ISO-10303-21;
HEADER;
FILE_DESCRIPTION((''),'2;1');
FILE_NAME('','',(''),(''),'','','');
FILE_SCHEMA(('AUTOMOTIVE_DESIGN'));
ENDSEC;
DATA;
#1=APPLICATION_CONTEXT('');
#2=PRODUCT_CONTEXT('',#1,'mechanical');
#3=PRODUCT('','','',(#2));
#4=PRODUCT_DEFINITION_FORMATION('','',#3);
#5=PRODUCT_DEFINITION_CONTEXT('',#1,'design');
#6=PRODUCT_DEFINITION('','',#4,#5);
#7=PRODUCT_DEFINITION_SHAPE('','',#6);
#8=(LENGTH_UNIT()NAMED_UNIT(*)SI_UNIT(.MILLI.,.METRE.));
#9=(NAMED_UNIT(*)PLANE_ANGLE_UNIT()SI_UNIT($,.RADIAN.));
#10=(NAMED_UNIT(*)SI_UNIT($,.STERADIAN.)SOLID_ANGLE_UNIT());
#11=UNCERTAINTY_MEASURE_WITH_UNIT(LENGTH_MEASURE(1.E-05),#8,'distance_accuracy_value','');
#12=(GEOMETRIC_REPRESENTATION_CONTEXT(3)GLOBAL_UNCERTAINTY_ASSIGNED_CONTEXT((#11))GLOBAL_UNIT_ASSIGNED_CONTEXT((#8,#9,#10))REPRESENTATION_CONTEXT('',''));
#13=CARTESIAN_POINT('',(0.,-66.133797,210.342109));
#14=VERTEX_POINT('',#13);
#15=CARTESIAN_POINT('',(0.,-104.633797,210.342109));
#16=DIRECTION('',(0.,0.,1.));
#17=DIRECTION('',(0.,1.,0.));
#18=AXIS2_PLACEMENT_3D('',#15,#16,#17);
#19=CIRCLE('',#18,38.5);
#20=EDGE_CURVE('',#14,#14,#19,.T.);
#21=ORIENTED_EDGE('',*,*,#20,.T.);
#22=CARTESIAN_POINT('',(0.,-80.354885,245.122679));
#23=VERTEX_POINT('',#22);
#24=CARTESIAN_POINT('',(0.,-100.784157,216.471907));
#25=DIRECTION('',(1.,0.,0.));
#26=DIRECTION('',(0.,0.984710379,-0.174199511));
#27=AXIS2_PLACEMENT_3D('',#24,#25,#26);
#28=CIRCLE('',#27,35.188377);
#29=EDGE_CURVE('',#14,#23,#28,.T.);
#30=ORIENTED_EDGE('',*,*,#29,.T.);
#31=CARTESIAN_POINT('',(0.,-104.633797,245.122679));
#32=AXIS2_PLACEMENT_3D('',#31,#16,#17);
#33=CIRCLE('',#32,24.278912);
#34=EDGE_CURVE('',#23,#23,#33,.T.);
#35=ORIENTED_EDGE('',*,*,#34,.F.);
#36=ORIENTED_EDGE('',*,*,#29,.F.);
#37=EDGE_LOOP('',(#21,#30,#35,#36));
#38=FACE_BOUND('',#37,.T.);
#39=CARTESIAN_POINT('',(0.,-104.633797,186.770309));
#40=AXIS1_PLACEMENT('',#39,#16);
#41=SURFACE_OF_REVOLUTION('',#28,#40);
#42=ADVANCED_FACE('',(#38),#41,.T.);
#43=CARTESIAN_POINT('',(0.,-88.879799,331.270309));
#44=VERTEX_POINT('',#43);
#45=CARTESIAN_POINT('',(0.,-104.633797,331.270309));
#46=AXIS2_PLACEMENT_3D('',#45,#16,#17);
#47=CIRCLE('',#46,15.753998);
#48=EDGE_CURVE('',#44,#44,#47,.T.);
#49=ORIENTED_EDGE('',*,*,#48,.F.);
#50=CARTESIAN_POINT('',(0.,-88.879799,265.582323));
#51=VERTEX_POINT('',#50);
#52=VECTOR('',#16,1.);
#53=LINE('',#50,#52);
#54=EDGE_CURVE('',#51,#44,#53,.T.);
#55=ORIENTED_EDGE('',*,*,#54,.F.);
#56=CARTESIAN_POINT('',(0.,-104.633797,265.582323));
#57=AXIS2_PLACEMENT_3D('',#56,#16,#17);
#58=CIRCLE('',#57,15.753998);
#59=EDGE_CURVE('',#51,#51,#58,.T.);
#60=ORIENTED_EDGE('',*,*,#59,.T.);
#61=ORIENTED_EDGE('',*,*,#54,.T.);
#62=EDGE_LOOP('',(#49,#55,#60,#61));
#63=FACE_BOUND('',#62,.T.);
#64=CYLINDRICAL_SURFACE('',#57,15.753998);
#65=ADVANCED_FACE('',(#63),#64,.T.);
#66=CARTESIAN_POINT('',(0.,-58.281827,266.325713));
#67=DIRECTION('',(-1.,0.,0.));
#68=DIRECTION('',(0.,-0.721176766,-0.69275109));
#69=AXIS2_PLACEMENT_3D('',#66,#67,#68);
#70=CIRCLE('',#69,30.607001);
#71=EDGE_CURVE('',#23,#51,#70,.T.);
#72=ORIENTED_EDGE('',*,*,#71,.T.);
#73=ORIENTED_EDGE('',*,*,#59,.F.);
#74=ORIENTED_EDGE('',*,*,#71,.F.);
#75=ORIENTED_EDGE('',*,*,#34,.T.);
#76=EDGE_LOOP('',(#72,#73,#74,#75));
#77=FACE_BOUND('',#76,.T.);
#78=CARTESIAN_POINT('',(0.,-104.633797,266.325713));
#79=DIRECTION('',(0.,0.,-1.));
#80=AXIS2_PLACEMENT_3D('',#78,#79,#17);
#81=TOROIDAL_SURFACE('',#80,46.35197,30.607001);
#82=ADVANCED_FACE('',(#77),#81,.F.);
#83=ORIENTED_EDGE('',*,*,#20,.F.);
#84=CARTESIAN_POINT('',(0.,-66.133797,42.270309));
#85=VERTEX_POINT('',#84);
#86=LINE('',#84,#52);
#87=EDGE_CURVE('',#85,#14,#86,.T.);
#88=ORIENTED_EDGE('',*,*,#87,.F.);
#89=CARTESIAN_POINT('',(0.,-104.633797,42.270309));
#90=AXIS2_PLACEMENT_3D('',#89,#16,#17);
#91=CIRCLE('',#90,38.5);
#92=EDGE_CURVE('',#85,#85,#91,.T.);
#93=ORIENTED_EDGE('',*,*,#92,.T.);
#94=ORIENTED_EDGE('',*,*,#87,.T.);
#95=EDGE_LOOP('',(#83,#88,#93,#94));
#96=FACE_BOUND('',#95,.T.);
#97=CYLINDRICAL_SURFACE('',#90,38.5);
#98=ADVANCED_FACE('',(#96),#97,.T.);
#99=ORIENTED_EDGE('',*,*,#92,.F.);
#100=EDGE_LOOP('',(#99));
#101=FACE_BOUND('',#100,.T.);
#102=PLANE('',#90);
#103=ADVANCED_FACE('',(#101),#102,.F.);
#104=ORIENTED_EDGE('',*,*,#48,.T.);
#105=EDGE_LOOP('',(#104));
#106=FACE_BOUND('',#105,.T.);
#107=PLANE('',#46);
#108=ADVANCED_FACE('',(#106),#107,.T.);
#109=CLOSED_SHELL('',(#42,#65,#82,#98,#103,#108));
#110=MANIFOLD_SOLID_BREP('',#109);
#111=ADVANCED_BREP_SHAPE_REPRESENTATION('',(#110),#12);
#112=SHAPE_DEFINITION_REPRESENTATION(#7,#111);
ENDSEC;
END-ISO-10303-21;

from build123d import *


with BuildPart() as f1:
    # F0 (on Right) → F1 (revolve)
    with BuildSketch(Plane.YZ):
        with BuildLine():
            Line((-104.633797, 331.270309), (-104.633797, 42.270309))
            Line((-104.633797, 42.270309), (-66.133797, 42.270309))
            Line((-66.133797, 42.270309), (-66.133797, 210.342109))
            ThreePointArc((-66.133797, 210.342109), (-68.213258, 229.789505), (-80.354885, 245.122679))
            ThreePointArc((-80.354885, 245.122679), (-86.534413, 254.553716), (-88.879799, 265.582323))
            Line((-88.879799, 265.582323), (-88.879799, 331.270309))
            Line((-88.879799, 331.270309), (-104.633797, 331.270309))
        make_face()
    revolve(axis=Axis((0, -104.633797, 186.770309), (0, 0, 1)))


solid = f1.part
